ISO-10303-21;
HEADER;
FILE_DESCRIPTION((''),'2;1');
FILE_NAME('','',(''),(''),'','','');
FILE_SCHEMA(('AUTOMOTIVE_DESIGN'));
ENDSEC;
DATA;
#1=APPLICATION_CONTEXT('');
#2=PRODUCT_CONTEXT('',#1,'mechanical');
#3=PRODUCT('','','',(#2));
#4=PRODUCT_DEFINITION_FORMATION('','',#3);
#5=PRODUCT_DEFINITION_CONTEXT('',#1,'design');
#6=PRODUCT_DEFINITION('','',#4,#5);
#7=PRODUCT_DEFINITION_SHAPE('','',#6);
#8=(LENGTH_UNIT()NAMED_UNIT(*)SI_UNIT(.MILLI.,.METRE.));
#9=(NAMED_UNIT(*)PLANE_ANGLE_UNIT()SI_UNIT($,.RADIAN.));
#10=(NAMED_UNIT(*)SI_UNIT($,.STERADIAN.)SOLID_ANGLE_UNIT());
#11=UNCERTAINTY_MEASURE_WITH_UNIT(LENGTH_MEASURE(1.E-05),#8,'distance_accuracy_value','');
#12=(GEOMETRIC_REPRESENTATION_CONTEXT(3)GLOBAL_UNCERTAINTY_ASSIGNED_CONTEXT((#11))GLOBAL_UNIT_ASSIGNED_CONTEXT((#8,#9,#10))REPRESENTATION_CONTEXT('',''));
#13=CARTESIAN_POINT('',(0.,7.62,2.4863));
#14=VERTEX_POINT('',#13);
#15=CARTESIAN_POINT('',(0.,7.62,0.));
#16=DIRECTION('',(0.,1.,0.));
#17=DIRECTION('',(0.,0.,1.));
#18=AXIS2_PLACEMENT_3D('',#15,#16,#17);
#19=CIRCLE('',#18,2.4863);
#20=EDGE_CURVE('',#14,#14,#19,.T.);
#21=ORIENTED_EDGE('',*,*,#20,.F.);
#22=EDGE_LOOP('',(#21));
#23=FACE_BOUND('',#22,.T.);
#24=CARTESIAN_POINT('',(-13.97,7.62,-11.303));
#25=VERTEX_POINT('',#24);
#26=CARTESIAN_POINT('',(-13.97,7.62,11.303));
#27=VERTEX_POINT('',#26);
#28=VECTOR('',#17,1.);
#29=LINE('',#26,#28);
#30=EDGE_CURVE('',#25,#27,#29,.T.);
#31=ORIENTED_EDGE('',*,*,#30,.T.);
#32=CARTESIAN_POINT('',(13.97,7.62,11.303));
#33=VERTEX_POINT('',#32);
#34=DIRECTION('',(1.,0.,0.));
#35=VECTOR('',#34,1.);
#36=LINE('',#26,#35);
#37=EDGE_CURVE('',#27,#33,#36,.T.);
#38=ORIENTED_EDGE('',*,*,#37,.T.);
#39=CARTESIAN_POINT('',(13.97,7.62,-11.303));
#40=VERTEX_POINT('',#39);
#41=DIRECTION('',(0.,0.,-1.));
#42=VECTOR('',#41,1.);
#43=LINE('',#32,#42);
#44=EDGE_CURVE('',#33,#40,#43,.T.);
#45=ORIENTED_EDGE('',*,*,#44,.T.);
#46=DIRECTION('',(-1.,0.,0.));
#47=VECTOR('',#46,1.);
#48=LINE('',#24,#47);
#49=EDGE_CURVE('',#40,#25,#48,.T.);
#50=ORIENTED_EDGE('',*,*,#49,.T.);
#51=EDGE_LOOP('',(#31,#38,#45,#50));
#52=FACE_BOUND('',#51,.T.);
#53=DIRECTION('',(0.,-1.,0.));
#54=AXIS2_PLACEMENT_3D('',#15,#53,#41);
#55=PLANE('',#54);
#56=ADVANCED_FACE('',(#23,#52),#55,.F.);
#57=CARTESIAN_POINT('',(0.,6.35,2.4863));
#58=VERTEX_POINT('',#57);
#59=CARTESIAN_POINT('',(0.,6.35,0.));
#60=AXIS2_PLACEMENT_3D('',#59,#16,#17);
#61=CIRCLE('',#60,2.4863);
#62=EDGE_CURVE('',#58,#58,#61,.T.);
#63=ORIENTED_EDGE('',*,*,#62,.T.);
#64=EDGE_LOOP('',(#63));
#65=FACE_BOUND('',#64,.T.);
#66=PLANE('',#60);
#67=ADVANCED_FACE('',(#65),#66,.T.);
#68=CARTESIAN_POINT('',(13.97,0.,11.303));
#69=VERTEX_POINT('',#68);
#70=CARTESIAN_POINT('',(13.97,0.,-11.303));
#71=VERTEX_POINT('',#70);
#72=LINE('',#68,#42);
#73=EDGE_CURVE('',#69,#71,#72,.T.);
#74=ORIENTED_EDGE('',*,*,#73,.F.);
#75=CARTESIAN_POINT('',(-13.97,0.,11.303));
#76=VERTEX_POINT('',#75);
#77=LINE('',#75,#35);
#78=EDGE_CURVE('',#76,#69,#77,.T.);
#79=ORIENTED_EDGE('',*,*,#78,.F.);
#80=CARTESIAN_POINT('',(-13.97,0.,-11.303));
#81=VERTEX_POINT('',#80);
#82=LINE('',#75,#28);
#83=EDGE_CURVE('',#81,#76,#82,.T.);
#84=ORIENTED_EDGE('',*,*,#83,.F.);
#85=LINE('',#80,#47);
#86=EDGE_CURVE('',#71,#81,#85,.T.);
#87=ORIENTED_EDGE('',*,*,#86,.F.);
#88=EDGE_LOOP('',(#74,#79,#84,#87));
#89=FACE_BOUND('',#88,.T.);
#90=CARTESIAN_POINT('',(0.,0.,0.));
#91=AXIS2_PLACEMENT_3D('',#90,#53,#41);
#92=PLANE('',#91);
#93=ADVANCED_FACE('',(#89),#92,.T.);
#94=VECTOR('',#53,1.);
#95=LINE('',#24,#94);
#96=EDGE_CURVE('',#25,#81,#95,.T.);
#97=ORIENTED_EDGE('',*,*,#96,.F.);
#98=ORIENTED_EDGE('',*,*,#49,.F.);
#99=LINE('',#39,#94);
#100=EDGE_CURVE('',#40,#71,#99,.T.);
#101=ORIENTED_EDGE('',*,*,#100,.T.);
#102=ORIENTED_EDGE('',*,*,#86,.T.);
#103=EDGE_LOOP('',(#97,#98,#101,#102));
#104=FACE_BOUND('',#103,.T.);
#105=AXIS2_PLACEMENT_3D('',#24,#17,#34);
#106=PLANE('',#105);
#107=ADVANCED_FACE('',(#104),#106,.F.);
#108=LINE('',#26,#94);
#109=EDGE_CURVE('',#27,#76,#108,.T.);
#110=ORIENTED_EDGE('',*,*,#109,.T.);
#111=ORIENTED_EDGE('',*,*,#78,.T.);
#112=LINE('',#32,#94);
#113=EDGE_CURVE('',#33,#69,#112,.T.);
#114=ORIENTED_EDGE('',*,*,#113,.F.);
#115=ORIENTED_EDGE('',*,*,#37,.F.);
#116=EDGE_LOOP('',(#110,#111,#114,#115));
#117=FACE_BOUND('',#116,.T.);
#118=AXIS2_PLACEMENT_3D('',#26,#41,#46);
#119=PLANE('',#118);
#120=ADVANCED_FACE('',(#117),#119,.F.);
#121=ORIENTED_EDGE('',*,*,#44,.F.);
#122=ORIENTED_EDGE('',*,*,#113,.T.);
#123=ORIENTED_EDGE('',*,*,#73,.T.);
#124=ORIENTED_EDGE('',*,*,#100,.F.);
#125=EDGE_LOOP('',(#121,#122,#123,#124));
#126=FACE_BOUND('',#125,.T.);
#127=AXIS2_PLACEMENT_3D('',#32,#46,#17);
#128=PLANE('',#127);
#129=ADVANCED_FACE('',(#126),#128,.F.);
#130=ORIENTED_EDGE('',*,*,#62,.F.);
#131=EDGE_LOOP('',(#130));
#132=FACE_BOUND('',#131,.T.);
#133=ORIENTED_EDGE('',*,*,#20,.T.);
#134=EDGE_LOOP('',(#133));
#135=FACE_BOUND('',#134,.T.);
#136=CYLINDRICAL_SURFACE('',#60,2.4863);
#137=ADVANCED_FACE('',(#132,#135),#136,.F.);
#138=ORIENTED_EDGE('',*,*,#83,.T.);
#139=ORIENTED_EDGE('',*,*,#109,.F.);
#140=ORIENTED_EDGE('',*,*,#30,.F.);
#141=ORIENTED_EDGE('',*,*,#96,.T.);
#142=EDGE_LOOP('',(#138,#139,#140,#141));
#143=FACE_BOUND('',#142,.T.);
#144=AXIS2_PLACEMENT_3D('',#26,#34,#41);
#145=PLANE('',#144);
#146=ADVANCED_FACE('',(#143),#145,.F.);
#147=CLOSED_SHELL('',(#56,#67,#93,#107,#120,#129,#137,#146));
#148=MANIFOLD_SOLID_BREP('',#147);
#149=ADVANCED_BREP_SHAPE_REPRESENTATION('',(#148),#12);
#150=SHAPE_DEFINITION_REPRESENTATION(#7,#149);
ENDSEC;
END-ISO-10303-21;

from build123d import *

# Parameters (mm, degrees)
SKETCH1_W           = 27.94
SKETCH1_H           = 22.606
BOSS_EXTRUDE1_DEPTH = 7.62
SKETCH2_R           = 2.486300295
CUT_EXTRUDE1_DEPTH  = 1.27


with BuildPart() as part:
    # Sketch1 → Boss-Extrude1 (new body)
    with BuildSketch(Plane(origin=(0, 0, 0), x_dir=(1, 0, 0), z_dir=(0, 1, 0))):
        Rectangle(SKETCH1_W, SKETCH1_H)
    extrude(amount=BOSS_EXTRUDE1_DEPTH)

    # Sketch2 → Cut-Extrude1 (cut)
    with BuildSketch(Plane(origin=(0, 7.62, 0), x_dir=(1, 0, 0), z_dir=(0, 1, 0))):
        Circle(SKETCH2_R)
    extrude(amount=-CUT_EXTRUDE1_DEPTH, mode=Mode.SUBTRACT)


solid = part.part
